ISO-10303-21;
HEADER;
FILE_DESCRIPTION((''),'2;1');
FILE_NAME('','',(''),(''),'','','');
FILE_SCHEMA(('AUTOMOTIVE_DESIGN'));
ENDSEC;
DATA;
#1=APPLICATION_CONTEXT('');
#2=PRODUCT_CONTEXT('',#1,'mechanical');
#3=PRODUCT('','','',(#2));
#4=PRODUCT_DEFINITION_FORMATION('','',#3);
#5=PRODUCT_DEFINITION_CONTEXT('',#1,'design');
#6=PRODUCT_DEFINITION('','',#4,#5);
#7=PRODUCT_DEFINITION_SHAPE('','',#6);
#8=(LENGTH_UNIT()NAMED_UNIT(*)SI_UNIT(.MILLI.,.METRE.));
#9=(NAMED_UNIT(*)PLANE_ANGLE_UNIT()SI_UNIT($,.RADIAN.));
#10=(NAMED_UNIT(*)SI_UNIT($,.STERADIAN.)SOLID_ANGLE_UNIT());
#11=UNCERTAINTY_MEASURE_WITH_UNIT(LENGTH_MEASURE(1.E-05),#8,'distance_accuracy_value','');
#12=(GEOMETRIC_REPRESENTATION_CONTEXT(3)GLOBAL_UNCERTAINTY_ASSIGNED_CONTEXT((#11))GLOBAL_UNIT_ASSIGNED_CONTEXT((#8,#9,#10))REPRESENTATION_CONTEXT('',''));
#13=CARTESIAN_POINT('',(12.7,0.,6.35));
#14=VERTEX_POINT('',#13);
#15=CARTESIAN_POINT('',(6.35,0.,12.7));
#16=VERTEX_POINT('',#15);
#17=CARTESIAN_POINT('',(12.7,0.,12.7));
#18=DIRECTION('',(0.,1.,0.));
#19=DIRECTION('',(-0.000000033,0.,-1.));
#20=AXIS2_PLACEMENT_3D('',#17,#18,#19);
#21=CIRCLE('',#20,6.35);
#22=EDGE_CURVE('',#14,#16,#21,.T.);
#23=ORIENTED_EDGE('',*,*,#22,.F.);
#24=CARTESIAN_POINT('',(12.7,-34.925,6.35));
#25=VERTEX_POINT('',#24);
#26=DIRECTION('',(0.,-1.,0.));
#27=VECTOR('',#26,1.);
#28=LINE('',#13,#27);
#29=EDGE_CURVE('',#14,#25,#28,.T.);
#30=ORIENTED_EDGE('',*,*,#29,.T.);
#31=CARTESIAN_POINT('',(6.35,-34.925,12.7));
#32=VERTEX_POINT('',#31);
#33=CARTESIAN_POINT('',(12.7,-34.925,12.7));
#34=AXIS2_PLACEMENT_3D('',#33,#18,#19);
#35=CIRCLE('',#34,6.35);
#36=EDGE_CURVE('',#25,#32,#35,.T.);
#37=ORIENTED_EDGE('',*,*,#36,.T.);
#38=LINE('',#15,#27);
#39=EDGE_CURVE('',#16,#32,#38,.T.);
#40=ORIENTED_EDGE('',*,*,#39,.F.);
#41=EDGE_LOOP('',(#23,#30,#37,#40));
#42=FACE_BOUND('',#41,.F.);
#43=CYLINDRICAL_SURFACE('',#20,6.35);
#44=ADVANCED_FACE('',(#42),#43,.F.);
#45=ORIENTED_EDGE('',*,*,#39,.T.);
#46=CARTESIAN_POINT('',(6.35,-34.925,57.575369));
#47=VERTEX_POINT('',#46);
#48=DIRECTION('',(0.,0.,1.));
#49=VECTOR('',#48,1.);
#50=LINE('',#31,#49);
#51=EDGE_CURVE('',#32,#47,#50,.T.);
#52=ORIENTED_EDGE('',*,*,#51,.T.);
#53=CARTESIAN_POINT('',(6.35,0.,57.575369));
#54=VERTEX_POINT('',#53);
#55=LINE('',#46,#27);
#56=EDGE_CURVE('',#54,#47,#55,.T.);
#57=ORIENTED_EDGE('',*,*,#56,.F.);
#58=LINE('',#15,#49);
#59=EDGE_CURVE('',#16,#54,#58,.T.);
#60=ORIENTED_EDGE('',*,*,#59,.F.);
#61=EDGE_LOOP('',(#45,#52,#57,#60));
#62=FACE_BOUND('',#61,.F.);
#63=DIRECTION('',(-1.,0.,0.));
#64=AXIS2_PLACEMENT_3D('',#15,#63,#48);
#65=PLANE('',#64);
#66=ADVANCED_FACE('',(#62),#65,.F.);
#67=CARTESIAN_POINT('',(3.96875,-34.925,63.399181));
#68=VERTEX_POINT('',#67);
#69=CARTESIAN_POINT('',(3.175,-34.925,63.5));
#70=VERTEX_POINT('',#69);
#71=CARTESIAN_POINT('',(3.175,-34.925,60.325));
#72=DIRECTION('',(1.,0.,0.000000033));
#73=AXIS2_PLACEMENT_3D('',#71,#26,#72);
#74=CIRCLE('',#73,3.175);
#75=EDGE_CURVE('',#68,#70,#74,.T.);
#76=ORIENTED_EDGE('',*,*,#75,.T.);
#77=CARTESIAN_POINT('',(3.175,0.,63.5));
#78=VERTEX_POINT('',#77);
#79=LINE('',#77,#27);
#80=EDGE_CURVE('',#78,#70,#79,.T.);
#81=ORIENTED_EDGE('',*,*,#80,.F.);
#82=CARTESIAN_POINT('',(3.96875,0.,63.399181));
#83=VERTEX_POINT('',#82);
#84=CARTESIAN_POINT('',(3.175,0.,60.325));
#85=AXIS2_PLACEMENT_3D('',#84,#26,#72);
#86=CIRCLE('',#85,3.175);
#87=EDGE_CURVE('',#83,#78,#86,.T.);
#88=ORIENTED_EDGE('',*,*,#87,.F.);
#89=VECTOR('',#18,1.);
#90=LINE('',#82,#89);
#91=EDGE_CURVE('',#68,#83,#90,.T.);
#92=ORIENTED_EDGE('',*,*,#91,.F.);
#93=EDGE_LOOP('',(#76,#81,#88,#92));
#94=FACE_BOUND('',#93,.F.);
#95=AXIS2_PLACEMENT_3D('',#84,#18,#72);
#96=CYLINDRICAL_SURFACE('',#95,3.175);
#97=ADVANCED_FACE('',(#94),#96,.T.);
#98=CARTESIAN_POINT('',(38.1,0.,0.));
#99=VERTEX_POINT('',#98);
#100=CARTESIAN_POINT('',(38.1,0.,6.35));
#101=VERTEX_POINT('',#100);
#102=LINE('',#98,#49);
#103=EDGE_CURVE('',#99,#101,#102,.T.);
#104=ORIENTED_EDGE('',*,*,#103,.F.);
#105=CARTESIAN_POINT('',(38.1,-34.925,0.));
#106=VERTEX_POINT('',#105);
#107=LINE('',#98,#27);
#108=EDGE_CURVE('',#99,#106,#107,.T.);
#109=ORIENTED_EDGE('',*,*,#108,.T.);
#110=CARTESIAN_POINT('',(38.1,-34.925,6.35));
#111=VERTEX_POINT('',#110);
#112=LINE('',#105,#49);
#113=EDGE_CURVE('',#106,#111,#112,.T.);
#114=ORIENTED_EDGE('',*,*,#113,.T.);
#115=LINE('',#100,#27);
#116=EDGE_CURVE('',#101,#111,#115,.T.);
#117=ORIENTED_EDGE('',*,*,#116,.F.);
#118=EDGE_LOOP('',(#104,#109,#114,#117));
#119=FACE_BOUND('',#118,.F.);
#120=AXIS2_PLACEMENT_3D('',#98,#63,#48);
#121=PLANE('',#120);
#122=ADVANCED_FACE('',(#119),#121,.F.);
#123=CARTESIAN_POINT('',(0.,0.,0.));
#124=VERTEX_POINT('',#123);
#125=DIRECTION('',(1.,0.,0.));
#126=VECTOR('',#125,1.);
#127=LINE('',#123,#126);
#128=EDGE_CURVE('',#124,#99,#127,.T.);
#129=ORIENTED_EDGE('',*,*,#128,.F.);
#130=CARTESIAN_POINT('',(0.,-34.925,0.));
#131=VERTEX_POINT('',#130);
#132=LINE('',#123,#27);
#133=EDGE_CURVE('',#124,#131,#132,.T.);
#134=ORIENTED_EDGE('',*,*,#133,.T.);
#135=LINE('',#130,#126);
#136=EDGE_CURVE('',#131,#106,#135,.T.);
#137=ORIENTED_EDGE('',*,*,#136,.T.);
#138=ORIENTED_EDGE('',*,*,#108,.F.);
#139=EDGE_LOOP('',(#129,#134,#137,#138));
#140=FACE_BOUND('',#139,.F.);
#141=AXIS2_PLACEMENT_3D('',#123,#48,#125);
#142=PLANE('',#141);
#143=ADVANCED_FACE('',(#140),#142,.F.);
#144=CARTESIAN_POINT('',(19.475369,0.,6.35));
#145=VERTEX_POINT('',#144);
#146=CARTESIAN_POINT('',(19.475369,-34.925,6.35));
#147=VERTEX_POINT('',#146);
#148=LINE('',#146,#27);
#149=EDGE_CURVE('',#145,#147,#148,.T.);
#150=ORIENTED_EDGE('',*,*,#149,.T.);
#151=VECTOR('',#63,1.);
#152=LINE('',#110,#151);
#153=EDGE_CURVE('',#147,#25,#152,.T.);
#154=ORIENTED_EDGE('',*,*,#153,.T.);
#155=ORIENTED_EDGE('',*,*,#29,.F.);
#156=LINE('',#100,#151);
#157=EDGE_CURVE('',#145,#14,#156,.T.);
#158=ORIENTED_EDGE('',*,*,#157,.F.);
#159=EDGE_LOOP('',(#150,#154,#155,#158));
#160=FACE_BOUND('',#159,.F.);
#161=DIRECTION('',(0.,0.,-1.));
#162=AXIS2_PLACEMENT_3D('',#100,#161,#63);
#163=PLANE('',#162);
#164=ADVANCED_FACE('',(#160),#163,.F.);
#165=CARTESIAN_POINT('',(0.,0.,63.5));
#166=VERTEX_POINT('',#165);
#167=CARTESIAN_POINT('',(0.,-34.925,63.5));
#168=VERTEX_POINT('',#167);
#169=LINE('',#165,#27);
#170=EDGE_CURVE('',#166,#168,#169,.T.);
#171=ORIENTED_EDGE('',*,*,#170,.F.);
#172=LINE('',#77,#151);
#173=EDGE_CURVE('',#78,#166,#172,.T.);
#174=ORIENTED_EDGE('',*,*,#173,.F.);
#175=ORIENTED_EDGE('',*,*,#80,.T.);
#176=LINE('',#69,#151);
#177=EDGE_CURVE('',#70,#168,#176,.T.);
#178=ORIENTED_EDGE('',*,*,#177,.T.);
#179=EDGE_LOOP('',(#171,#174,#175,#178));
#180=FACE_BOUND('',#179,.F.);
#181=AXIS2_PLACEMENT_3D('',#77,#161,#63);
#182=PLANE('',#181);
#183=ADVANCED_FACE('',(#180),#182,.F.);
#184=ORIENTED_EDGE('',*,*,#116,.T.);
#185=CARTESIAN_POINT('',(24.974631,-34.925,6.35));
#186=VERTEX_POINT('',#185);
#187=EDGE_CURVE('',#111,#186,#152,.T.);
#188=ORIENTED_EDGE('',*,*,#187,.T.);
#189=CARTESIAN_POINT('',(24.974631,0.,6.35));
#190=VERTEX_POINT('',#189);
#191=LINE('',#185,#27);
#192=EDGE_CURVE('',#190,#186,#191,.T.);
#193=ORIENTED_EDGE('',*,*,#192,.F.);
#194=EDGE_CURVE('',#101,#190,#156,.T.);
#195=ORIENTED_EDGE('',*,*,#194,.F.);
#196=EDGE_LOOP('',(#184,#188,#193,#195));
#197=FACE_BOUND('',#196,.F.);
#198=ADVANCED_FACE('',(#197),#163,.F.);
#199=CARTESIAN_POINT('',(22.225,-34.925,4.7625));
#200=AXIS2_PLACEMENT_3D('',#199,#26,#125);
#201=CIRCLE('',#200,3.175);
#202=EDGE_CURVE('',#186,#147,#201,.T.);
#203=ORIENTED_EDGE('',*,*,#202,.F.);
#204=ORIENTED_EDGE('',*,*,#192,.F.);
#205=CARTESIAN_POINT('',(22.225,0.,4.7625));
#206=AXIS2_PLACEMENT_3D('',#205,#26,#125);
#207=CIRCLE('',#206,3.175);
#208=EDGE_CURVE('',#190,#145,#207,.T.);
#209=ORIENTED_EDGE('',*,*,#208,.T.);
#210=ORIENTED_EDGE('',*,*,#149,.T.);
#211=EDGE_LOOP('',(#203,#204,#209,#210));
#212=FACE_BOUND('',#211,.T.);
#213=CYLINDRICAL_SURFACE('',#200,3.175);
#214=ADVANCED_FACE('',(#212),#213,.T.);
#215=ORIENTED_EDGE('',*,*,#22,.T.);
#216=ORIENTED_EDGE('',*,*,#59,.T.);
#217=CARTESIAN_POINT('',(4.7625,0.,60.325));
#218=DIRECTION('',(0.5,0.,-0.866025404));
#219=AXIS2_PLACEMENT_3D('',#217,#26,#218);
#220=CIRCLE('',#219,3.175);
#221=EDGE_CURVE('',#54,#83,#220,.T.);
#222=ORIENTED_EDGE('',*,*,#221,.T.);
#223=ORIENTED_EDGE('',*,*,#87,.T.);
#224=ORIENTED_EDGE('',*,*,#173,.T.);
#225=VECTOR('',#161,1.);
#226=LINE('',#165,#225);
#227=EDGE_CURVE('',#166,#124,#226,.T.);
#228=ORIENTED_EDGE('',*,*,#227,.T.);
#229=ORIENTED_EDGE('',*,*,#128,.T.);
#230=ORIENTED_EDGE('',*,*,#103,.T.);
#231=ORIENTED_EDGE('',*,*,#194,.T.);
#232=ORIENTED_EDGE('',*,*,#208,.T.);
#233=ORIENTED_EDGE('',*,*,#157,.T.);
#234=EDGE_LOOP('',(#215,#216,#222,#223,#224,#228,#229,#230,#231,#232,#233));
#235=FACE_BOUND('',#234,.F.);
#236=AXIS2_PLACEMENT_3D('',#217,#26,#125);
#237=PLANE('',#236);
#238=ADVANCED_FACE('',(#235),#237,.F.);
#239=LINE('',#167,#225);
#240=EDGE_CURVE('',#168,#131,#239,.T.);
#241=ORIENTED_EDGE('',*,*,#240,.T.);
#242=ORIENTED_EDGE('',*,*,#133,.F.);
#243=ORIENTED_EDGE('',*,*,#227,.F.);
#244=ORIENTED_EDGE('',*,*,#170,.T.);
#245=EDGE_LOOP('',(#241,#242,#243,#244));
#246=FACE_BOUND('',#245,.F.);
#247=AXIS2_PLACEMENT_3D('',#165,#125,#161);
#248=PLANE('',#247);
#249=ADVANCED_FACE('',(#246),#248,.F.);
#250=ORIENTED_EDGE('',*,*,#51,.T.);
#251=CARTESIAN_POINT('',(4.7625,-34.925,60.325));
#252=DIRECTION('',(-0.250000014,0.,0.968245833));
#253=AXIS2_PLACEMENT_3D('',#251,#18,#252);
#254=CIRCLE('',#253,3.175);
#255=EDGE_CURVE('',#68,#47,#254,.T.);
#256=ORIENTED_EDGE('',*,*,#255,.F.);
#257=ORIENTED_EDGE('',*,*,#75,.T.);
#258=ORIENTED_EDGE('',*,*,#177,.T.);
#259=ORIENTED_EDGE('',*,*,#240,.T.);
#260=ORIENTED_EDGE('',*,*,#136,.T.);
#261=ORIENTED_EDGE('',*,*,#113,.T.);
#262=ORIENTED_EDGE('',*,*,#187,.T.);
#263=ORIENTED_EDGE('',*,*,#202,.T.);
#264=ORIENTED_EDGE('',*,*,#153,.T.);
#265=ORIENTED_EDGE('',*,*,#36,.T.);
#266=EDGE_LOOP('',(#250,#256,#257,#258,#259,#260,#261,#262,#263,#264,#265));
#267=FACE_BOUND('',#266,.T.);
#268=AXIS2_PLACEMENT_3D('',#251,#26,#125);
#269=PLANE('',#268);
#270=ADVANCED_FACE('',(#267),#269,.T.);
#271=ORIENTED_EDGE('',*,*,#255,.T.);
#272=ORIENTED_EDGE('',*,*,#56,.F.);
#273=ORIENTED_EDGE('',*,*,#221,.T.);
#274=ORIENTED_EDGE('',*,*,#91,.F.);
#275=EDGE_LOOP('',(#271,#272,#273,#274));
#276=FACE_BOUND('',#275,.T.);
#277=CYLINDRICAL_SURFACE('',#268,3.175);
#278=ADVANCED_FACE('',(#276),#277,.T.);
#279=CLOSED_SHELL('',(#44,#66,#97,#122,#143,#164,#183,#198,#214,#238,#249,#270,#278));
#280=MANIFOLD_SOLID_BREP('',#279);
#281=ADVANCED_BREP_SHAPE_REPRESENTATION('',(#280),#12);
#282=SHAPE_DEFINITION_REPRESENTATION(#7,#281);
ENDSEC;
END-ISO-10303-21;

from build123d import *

# Parameters (mm, degrees)
F1_DEPTH = 34.925
F2_R     = 3.175
F3_DEPTH = 34.925


with BuildPart() as f1:
    # F0 (on Front) → F1 (new body)
    with BuildSketch(Plane.XZ):
        with BuildLine():
            Line((3.175, 63.5), (0, 63.5))
            Line((0, 63.5), (0, 0))
            Line((0, 0), (38.1, 0))
            Line((38.1, 0), (38.1, 6.35))
            Line((38.1, 6.35), (12.7, 6.35))
            ThreePointArc((12.7, 6.35), (8.209872, 8.209872), (6.35, 12.7))
            Line((6.35, 12.7), (6.35, 60.325))
            ThreePointArc((6.35, 60.325), (5.420064, 62.570064), (3.175, 63.5))
        make_face()
    extrude(amount=F1_DEPTH)

    # F2 (on face) → F3 (join, through all)
    with BuildSketch(Plane.XZ.offset(34.925)):
        with Locations((4.7625, 60.325)):
            Circle(F2_R)
        with Locations((22.225, 4.7625)):
            Circle(F2_R)
    extrude(amount=-F3_DEPTH)


solid = f1.part
